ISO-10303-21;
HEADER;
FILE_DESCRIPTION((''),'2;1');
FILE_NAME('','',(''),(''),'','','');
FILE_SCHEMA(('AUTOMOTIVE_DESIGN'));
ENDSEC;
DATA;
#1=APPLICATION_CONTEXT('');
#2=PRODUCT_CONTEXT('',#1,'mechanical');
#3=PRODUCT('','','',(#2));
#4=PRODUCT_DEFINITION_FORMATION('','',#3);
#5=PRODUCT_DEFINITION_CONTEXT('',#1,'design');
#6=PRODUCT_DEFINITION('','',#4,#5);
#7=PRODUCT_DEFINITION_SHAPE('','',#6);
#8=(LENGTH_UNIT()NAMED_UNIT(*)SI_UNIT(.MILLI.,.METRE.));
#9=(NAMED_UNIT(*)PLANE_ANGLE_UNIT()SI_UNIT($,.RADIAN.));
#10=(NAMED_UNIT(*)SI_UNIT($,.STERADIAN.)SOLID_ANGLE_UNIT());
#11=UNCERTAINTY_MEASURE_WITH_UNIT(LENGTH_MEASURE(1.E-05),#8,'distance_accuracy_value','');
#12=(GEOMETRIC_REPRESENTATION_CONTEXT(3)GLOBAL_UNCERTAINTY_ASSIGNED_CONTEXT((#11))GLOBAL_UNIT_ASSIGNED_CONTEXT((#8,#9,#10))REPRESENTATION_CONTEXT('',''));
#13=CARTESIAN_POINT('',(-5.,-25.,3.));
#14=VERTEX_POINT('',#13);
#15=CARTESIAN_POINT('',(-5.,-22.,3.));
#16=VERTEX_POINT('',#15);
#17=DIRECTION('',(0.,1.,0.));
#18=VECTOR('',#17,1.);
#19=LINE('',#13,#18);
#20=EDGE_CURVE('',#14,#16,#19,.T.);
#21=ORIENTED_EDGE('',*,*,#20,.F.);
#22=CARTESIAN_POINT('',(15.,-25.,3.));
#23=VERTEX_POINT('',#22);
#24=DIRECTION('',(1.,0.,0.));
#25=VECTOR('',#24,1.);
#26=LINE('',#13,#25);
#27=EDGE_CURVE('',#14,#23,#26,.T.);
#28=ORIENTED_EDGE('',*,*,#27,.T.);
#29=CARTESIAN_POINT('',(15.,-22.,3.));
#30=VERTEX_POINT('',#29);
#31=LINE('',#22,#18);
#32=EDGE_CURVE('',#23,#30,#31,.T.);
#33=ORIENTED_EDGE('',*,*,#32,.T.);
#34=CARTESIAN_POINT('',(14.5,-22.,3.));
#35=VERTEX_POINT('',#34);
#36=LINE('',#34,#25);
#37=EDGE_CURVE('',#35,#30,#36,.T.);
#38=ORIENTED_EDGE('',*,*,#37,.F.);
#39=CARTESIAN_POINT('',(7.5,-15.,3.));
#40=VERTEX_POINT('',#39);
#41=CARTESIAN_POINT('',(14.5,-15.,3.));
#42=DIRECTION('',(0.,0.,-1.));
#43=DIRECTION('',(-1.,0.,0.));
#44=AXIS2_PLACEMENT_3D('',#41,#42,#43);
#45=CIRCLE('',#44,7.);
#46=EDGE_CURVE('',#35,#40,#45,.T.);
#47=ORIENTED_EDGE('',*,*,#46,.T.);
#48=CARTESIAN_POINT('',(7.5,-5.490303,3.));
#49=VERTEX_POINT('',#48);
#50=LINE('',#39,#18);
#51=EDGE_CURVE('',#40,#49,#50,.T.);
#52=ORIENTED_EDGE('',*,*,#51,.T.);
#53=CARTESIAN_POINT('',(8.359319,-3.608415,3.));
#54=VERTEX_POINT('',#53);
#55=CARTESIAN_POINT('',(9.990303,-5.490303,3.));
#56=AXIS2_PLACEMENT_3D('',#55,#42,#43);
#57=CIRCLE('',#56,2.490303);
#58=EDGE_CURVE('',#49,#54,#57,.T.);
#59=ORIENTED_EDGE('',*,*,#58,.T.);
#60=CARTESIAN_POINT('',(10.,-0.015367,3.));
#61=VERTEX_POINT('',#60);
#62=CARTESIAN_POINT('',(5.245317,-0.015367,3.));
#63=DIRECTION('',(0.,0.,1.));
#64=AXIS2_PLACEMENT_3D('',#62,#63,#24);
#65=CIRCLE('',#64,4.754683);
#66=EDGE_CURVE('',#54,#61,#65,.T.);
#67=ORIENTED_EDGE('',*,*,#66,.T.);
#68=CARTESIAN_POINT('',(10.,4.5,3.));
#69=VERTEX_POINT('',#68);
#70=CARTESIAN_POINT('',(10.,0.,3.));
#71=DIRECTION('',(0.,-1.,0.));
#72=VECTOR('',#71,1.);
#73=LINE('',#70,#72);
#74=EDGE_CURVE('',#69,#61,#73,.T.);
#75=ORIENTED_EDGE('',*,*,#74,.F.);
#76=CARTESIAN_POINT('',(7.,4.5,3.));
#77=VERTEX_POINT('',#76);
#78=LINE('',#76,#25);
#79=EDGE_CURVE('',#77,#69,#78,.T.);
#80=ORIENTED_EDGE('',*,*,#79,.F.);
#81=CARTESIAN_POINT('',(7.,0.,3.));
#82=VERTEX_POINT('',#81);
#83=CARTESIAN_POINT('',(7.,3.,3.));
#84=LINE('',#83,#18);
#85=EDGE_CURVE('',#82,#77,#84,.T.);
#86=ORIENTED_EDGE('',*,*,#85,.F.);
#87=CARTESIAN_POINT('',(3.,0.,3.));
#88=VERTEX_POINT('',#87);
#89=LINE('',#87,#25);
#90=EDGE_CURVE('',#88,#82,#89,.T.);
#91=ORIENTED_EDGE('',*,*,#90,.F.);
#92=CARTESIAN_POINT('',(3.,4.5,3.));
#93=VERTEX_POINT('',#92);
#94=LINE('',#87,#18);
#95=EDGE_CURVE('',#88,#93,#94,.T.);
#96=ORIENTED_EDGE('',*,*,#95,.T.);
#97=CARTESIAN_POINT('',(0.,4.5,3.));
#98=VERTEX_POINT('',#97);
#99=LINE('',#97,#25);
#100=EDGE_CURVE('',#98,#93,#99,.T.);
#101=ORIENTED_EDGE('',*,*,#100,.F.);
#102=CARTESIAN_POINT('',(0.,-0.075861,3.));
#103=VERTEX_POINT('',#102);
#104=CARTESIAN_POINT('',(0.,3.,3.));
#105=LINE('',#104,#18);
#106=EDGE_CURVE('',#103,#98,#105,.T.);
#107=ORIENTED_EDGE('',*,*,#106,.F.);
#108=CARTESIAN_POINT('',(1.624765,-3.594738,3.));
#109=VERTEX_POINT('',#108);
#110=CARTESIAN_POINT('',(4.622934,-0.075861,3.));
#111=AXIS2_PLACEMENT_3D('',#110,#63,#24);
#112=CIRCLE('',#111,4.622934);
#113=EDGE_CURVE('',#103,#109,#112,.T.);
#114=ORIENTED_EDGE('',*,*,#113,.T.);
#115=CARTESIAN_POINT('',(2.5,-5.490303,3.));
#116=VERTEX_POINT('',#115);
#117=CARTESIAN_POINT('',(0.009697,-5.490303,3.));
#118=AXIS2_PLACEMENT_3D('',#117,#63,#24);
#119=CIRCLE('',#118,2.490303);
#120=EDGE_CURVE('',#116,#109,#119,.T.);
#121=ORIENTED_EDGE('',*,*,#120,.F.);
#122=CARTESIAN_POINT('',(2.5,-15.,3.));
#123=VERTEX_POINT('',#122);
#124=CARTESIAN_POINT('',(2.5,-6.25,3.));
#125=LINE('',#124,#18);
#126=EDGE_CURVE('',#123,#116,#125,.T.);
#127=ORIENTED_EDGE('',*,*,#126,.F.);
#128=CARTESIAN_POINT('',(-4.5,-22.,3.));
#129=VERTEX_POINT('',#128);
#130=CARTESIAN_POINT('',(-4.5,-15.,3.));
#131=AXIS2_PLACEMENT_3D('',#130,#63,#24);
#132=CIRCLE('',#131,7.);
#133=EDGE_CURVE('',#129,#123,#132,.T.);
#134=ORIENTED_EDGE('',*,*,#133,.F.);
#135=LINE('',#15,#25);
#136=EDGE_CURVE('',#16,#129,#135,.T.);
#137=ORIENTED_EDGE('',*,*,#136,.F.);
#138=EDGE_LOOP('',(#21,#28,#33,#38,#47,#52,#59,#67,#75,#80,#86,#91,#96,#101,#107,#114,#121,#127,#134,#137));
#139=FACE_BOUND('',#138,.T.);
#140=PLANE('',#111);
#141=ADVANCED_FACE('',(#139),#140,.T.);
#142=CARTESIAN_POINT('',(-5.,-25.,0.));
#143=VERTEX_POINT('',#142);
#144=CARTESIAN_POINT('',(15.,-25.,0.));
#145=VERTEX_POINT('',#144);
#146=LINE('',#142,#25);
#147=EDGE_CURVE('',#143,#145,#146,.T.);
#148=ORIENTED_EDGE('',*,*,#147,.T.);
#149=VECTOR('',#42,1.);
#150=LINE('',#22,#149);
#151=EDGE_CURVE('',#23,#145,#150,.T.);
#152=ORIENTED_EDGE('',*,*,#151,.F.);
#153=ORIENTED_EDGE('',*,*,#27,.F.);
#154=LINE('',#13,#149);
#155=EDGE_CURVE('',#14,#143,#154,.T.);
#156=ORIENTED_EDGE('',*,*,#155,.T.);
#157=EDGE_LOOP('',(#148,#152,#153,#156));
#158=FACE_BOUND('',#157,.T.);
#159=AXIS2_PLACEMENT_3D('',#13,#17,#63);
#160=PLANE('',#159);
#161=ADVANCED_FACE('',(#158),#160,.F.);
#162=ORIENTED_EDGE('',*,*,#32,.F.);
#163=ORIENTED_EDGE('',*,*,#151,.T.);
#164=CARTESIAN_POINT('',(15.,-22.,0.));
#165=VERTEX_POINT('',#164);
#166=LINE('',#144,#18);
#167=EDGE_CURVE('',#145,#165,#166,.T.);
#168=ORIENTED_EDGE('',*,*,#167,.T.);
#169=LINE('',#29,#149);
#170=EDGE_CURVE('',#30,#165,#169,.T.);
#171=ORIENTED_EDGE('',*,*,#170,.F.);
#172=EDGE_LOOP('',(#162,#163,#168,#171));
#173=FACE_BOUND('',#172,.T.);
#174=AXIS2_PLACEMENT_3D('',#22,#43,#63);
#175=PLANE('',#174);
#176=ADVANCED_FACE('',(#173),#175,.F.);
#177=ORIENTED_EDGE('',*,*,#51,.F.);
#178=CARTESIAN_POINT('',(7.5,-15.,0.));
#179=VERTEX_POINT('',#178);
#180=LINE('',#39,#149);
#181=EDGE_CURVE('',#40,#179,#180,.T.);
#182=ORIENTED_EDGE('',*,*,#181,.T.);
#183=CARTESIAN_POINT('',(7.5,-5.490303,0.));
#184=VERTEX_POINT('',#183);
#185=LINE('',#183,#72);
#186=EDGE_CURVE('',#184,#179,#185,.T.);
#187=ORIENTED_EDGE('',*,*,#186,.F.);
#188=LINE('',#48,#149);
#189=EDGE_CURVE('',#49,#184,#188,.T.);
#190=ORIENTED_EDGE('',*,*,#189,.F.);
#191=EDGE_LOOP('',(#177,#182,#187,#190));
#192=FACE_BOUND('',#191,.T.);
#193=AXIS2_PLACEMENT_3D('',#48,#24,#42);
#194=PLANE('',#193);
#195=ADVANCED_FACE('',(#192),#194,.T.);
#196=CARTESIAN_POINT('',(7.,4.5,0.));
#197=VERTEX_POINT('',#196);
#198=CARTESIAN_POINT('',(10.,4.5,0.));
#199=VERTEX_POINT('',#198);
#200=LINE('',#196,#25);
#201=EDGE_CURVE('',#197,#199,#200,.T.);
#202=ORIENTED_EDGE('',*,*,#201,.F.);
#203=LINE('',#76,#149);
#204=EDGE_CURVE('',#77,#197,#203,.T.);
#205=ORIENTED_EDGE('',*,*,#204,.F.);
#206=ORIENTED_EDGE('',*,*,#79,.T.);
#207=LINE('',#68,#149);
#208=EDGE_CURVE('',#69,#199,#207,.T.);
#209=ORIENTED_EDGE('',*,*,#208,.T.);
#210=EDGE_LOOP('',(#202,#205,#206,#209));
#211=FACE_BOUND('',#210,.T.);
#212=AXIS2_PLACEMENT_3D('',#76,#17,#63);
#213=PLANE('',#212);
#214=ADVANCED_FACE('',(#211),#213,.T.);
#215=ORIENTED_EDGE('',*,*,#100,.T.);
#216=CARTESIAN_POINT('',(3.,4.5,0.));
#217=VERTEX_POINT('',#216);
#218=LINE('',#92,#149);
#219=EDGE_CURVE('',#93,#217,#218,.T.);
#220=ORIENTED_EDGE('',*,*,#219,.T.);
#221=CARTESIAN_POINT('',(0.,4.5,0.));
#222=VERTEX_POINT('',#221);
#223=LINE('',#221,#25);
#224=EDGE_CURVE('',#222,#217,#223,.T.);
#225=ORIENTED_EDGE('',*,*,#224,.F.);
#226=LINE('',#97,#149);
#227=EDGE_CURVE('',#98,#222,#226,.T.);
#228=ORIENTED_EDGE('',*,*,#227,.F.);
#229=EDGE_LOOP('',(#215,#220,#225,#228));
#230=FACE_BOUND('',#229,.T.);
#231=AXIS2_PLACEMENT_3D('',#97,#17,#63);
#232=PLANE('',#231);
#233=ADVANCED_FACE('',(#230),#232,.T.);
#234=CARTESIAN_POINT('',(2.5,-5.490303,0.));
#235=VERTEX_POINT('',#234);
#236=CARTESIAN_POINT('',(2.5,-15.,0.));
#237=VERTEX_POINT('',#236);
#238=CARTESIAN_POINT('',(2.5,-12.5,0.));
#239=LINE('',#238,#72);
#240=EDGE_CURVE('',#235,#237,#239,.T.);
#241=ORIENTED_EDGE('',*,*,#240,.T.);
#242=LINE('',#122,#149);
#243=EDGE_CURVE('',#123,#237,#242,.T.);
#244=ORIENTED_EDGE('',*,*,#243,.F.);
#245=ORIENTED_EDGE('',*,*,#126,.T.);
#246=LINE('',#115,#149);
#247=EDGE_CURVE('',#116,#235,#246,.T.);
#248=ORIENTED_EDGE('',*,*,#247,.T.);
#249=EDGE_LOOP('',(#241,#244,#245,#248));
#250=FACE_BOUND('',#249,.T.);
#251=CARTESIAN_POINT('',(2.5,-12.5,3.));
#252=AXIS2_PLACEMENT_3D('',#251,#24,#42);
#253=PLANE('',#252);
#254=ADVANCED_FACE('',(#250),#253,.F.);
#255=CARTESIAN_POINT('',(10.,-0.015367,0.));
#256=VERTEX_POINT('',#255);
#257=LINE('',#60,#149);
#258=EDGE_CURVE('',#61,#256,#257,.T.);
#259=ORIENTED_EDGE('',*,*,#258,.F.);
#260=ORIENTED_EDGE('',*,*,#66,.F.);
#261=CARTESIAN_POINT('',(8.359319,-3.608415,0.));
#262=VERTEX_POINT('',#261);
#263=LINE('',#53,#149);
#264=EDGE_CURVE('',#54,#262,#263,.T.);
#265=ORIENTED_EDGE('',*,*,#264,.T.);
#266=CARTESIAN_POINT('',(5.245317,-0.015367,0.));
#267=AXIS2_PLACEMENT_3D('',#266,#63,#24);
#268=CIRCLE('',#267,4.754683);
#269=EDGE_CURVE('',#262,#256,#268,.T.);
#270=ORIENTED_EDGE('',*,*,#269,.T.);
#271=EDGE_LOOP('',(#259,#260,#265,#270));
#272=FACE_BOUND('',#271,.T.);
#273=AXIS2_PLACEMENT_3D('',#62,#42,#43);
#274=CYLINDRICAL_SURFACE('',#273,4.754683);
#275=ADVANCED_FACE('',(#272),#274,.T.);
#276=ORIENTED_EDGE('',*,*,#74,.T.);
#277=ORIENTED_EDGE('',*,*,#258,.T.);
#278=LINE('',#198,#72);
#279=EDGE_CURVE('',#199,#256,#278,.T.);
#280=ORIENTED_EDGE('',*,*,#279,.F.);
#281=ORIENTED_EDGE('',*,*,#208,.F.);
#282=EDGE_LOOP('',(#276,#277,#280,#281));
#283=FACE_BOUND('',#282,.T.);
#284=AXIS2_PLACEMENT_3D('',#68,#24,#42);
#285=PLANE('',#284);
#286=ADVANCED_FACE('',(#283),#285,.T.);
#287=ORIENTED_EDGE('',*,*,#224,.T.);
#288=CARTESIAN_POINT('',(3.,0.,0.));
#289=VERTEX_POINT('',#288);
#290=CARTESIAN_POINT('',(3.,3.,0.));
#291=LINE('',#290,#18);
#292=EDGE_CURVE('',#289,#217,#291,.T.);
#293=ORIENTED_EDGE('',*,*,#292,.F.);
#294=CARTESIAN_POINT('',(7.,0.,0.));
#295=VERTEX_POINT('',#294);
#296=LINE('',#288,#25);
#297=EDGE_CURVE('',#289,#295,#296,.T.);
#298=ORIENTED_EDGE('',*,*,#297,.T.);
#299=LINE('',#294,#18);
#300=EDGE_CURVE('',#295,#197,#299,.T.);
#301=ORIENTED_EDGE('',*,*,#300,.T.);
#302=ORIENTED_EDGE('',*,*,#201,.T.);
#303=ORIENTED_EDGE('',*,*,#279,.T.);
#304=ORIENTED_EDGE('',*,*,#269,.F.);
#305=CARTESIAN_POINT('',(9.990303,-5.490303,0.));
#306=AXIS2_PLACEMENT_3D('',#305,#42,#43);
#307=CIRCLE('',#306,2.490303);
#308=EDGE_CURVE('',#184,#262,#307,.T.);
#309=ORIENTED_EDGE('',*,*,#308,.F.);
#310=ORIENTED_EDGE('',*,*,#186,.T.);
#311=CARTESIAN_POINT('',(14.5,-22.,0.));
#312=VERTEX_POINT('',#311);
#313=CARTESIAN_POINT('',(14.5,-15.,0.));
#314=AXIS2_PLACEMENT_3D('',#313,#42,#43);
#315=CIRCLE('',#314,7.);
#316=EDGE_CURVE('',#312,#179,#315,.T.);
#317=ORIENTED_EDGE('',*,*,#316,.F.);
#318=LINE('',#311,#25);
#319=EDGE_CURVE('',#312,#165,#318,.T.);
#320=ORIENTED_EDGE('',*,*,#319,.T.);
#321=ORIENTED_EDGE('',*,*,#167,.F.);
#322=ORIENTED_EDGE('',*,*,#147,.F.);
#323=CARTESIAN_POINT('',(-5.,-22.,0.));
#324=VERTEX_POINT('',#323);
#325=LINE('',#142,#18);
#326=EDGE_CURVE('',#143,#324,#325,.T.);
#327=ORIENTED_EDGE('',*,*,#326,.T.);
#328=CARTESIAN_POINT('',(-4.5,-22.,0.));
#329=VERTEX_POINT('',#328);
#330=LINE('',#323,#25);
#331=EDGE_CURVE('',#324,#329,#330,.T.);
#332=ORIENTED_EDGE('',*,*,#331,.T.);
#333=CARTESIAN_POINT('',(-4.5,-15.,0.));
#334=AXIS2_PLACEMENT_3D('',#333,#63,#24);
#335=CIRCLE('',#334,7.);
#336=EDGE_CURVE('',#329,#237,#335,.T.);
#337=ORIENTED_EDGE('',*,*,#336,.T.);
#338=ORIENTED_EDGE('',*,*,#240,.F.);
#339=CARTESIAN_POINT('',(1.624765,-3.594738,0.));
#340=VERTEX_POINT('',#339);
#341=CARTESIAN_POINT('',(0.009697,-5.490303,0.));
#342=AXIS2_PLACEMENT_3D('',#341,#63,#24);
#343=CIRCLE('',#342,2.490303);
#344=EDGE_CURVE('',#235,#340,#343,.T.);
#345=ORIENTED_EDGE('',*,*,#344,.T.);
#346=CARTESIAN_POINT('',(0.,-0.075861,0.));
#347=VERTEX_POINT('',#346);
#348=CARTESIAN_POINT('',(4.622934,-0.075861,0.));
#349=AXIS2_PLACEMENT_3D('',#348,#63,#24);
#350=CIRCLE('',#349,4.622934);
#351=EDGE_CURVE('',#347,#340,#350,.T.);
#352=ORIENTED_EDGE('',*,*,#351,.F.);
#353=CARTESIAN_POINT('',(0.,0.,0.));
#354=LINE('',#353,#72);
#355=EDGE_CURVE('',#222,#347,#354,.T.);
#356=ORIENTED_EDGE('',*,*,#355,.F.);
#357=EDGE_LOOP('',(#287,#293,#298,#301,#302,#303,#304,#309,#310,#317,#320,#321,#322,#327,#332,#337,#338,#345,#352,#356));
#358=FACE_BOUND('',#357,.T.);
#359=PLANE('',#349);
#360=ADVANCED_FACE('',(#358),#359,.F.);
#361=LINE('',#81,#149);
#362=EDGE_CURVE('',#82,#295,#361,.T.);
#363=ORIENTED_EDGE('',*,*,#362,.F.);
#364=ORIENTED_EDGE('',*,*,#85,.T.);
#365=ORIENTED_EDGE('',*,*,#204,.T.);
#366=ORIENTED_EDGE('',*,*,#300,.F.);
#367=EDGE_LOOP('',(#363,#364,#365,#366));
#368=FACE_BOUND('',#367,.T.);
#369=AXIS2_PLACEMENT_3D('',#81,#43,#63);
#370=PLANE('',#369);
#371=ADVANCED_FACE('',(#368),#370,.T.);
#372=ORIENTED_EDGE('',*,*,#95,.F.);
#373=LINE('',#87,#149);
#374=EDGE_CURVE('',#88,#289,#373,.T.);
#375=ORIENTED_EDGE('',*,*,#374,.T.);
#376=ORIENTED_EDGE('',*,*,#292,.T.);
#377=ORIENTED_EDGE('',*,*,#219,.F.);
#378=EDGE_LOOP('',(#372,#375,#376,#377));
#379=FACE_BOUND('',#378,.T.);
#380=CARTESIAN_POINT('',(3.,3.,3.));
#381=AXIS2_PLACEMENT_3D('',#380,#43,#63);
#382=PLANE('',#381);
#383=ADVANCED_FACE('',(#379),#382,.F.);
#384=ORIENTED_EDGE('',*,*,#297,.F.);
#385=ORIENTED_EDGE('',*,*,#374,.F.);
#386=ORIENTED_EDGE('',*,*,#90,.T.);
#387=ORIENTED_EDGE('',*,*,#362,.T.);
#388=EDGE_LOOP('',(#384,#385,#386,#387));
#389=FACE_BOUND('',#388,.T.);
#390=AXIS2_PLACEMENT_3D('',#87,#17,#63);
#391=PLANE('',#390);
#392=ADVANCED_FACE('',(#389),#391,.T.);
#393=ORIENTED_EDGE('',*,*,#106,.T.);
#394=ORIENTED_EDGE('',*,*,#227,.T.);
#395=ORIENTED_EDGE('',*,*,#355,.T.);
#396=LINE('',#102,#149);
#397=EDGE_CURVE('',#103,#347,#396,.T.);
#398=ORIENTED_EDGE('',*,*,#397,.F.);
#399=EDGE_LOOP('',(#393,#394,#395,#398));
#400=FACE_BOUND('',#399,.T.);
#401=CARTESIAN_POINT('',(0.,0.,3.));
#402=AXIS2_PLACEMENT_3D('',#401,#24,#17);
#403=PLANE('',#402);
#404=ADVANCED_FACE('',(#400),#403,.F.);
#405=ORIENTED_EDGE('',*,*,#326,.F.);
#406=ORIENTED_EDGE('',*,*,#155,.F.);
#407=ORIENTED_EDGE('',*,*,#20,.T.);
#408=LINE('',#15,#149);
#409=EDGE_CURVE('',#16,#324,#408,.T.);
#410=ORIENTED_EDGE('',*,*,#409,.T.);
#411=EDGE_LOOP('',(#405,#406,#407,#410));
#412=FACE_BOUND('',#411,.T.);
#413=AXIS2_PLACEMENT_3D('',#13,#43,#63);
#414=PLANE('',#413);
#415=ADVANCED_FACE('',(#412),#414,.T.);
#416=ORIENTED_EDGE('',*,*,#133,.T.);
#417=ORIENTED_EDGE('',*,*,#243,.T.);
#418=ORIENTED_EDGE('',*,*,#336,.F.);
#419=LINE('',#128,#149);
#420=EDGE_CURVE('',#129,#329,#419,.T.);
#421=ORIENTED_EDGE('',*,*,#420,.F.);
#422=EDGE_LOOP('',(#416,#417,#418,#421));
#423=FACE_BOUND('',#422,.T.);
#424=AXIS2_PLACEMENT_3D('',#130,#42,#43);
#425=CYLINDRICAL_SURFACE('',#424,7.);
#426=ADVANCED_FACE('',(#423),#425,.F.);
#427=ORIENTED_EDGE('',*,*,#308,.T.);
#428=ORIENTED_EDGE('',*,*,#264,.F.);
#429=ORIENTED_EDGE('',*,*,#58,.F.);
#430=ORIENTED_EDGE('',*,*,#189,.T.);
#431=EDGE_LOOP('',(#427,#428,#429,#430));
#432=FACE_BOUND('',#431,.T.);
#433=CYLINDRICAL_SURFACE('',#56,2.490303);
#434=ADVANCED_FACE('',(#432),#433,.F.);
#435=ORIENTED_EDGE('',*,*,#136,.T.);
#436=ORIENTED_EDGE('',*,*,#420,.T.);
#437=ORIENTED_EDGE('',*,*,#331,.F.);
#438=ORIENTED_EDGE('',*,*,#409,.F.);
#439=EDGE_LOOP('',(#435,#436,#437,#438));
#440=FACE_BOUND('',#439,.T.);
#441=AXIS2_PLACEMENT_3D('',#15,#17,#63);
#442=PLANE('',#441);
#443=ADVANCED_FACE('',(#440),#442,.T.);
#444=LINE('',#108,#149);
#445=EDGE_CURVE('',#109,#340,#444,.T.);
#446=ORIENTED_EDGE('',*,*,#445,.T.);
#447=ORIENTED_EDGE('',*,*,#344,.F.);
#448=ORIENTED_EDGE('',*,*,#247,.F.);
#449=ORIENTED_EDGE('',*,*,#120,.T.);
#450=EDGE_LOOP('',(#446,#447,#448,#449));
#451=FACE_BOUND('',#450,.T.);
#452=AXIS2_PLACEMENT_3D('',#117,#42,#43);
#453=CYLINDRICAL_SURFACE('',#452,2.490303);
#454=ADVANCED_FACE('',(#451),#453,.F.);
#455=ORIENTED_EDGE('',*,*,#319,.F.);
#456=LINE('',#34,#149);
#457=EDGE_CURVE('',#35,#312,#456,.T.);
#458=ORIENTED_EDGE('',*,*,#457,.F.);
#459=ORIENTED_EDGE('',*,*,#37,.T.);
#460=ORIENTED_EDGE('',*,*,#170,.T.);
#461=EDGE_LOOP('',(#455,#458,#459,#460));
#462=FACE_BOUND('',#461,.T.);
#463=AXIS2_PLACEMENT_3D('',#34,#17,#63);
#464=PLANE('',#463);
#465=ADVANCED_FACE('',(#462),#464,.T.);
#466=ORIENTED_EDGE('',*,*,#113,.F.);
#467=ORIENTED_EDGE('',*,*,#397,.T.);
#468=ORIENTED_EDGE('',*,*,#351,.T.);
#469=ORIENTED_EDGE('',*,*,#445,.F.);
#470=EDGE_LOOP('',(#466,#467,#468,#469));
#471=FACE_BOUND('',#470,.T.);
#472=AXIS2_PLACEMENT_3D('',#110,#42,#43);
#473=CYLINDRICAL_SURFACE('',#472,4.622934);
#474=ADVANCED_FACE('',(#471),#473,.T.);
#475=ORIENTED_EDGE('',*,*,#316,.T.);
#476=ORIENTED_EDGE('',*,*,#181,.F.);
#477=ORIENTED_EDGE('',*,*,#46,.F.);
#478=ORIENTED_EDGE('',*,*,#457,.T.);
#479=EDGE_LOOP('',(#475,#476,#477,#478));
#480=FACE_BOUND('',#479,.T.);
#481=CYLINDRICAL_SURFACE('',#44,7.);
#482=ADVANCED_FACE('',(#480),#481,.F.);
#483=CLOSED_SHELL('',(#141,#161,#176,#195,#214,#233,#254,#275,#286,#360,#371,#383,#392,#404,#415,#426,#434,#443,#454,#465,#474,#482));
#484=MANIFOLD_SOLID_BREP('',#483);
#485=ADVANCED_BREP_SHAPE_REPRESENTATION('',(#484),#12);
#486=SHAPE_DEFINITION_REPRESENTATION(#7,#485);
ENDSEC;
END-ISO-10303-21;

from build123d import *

# Parameters (mm, degrees)
RESSALTO_EXTRUS_O1_DEPTH = 3


with BuildPart() as part:
    # Esboço1 → Ressalto-extrusão1 (new body)
    with BuildSketch(Plane.XY):
        with BuildLine():
            Line((3, 0), (7, 0))
            Line((7, 0), (7, 3))
            Line((7, 3), (7, 4.5))
            Line((7, 4.5), (10, 4.5))
            Line((10, 4.5), (10, 3))
            Line((10, 3), (10, 0))
            Line((10, 0), (10, -0.015366586))
            ThreePointArc((10, -0.015366586), (9.570424226, -1.990324177), (8.359319479, -3.608415065))
            ThreePointArc((8.359319479, -3.608415065), (7.72499373, -4.455903043), (7.5, -5.490302797))
            Line((7.5, -5.490302797), (7.5, -6.25))
            Line((7.5, -6.25), (7.5, -12.5))
            Line((7.5, -12.5), (7.5, -15))
            ThreePointArc((7.5, -15), (9.550252532, -19.949747468), (14.5, -22))
            Line((14.5, -22), (15, -22))
            Line((15, -22), (15, -25))
            Line((15, -25), (-5, -25))
            Line((-5, -25), (-5, -22))
            Line((-5, -22), (-4.5, -22))
            ThreePointArc((-4.5, -22), (0.449747468, -19.949747468), (2.5, -15))
            Line((2.5, -15), (2.5, -12.5))
            Line((2.5, -12.5), (2.5, -6.25))
            Line((2.5, -6.25), (2.5, -5.490302797))
            ThreePointArc((2.5, -5.490302797), (2.270627847, -4.446367624), (1.62476455, -3.594738109))
            ThreePointArc((1.62476455, -3.594738109), (0.425800558, -2.013795009), (0, -0.075860639))
            Line((0, -0.075860639), (0, 0))
            Line((0, 0), (0, 3))
            Line((0, 3), (0, 4.5))
            Line((0, 4.5), (3, 4.5))
            Line((3, 4.5), (3, 3))
            Line((3, 3), (3, 0))
        make_face()
    extrude(amount=RESSALTO_EXTRUS_O1_DEPTH)


solid = part.part
